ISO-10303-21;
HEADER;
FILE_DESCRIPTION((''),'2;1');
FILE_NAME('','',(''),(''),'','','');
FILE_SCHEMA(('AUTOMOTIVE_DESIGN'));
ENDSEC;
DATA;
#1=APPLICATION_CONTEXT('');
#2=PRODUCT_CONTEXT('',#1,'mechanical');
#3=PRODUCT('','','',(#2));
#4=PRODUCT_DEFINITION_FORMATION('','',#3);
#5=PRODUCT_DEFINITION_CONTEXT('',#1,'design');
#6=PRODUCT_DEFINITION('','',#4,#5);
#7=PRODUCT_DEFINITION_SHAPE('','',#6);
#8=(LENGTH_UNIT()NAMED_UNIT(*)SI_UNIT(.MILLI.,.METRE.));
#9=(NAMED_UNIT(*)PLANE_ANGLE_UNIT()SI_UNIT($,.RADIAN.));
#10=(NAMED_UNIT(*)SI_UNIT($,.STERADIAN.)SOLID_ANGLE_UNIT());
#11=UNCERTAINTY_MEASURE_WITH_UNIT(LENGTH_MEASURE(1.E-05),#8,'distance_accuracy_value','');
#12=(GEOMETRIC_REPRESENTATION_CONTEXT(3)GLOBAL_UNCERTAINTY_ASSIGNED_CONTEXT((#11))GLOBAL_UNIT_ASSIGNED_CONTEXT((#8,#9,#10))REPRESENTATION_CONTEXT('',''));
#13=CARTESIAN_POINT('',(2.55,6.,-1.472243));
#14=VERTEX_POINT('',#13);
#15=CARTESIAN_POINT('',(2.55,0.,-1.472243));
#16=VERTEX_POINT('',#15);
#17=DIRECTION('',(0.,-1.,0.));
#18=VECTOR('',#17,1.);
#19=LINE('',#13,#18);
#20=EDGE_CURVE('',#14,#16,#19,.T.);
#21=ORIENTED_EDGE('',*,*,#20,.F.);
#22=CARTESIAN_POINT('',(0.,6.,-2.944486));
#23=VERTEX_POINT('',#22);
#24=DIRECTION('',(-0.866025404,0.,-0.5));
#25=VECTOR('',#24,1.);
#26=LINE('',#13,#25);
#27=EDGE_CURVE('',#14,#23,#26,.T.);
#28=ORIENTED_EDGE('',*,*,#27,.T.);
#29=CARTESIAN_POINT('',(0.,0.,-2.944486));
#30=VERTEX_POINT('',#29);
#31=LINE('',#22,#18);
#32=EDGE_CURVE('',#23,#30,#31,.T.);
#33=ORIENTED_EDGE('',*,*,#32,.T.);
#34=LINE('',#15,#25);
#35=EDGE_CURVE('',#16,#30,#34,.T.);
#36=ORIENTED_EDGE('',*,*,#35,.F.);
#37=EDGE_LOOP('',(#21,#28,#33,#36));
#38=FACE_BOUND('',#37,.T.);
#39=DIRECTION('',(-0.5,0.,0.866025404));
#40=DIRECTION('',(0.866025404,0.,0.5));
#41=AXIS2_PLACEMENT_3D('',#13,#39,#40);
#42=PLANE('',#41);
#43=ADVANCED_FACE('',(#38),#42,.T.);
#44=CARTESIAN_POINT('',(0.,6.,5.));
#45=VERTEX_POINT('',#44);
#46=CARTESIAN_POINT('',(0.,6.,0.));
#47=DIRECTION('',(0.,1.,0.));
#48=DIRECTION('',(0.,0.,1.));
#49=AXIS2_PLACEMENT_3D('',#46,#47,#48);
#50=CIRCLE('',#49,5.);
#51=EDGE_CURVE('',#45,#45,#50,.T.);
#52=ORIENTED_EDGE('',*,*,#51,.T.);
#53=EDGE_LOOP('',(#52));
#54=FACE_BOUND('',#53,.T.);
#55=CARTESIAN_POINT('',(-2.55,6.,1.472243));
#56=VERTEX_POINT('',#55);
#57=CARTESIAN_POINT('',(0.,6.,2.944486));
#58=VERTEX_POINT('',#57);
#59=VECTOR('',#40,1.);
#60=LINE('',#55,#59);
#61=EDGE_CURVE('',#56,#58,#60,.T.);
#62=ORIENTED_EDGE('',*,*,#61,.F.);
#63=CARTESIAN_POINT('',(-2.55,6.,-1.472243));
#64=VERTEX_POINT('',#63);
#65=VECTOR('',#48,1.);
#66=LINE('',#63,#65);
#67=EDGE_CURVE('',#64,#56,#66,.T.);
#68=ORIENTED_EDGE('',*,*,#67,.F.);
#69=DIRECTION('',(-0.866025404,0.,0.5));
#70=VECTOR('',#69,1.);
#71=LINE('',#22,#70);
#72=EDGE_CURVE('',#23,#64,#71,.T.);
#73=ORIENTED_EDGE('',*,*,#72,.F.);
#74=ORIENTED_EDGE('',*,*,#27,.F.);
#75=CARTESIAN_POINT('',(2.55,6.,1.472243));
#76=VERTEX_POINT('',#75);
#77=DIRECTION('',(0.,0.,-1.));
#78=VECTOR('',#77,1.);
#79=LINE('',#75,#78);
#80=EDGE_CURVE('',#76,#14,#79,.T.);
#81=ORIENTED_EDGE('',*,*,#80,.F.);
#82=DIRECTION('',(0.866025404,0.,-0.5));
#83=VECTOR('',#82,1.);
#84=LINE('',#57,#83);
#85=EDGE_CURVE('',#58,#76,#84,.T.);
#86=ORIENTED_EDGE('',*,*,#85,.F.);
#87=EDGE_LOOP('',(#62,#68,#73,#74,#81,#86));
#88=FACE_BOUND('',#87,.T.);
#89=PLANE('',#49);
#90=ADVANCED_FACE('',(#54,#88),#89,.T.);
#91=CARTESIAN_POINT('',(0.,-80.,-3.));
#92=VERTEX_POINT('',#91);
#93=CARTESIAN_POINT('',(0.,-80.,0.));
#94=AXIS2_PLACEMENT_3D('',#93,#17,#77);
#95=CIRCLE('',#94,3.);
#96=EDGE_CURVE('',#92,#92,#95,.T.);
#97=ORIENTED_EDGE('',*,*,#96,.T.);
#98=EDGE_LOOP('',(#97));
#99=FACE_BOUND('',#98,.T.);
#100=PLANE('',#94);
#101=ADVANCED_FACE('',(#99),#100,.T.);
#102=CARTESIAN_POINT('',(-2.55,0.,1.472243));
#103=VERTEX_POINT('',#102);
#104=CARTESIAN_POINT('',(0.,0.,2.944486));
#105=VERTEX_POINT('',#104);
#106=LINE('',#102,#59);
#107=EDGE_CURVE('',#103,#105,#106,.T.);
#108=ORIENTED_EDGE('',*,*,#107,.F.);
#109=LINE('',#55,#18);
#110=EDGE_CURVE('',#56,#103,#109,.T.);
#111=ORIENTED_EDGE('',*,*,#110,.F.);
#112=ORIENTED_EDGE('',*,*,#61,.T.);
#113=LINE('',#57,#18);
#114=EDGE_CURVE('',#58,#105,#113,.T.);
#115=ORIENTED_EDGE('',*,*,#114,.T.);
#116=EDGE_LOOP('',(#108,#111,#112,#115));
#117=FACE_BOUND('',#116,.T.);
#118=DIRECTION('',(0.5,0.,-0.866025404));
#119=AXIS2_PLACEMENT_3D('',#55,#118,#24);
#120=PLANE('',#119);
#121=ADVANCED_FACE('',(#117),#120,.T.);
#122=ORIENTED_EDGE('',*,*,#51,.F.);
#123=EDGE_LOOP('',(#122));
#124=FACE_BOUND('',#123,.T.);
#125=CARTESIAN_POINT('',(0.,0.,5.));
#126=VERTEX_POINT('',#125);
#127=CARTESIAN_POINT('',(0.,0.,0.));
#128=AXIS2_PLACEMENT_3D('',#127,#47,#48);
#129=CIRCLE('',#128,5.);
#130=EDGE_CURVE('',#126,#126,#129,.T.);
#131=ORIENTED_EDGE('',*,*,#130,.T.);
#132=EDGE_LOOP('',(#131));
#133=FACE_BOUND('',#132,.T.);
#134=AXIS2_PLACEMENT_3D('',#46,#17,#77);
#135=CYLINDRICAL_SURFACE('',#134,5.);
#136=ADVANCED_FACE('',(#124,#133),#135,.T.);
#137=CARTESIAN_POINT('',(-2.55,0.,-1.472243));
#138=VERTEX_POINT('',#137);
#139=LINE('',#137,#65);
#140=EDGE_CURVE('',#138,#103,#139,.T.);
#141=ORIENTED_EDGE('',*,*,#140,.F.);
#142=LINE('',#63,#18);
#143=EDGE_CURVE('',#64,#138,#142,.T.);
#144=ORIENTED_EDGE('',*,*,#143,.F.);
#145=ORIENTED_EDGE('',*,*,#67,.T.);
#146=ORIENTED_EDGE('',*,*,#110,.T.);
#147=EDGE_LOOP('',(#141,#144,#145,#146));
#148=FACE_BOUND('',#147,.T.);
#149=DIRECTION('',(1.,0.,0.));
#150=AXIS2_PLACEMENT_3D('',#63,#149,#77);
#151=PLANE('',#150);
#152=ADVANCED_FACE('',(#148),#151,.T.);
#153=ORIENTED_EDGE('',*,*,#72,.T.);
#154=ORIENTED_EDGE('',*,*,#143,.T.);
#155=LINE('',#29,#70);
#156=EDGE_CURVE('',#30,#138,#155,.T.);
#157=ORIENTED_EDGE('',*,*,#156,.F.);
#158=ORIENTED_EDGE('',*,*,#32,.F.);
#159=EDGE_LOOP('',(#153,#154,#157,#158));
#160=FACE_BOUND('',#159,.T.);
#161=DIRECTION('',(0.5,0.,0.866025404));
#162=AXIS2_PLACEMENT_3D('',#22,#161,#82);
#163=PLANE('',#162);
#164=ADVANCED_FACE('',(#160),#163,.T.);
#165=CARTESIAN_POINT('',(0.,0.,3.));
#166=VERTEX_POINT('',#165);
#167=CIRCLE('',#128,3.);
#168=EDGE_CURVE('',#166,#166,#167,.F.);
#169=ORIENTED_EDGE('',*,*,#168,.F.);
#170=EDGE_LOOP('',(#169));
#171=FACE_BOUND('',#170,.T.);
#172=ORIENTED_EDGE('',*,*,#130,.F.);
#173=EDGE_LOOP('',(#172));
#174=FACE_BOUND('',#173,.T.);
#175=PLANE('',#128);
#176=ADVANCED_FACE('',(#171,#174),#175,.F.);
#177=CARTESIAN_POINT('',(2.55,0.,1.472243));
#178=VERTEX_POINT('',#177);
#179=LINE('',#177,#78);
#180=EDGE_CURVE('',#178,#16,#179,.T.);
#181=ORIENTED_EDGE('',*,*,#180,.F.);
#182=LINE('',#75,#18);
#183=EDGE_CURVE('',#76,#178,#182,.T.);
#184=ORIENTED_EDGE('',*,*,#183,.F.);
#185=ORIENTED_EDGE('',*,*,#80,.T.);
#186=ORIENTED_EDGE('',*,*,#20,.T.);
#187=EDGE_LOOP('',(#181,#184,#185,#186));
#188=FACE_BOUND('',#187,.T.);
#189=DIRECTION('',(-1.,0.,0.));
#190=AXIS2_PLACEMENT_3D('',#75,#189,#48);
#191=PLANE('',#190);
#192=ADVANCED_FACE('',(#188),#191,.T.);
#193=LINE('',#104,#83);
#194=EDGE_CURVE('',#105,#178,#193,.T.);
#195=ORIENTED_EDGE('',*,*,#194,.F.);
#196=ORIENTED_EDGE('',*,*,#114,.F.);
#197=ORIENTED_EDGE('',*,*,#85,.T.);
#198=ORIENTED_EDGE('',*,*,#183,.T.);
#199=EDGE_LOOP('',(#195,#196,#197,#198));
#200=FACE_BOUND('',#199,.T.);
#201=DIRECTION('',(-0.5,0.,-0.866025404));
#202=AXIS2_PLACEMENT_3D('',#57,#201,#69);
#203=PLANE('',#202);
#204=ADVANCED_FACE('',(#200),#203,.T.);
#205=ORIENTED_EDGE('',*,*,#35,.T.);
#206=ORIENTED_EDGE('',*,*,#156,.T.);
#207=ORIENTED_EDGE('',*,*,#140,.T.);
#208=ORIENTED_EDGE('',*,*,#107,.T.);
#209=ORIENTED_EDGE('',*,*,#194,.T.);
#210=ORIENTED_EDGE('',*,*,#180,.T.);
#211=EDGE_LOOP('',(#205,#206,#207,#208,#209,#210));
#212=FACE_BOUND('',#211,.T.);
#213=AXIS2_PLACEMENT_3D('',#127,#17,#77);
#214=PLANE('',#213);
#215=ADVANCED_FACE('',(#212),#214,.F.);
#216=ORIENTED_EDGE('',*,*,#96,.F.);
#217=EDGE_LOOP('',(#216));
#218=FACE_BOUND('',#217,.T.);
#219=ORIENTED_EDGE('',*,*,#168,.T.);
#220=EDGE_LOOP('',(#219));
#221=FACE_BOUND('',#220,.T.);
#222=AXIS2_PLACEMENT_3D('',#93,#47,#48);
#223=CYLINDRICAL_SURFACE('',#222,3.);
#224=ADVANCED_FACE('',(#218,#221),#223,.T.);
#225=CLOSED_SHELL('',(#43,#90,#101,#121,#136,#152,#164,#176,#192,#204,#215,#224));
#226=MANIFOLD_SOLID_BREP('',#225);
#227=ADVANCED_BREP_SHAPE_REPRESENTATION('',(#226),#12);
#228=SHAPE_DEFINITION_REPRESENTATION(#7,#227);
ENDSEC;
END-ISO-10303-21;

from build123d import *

# Parameters (mm, degrees)
SKETCH_1_R      = 5
EXTRUDE_1_DEPTH = 6
SKETCH_2_R      = 3
EXTRUDE_2_DEPTH = 80


with BuildPart() as part:
    # Эскиз1 → Вытянуть1 (new body)
    with BuildSketch(Plane(origin=(0, 0, 0), x_dir=(1, 0, 0), z_dir=(0, 1, 0))):
        with Locations(Location((0, 0, 0), (0, 0, 270))):
            Circle(SKETCH_1_R)
        Polygon((0, -2.944486373), (2.55, -1.472243186), (2.55, 1.472243186), (0, 2.944486373), (-2.55, 1.472243186), (-2.55, -1.472243186), align=None, mode=Mode.SUBTRACT)
    extrude(amount=EXTRUDE_1_DEPTH)

    # Эскиз2 → Вытянуть2 (add)
    with BuildSketch(Plane.XZ):
        with Locations(Location((0, 0, 0), (0, 0, 90))):
            Circle(SKETCH_2_R)
    extrude(amount=EXTRUDE_2_DEPTH)


solid = part.part
